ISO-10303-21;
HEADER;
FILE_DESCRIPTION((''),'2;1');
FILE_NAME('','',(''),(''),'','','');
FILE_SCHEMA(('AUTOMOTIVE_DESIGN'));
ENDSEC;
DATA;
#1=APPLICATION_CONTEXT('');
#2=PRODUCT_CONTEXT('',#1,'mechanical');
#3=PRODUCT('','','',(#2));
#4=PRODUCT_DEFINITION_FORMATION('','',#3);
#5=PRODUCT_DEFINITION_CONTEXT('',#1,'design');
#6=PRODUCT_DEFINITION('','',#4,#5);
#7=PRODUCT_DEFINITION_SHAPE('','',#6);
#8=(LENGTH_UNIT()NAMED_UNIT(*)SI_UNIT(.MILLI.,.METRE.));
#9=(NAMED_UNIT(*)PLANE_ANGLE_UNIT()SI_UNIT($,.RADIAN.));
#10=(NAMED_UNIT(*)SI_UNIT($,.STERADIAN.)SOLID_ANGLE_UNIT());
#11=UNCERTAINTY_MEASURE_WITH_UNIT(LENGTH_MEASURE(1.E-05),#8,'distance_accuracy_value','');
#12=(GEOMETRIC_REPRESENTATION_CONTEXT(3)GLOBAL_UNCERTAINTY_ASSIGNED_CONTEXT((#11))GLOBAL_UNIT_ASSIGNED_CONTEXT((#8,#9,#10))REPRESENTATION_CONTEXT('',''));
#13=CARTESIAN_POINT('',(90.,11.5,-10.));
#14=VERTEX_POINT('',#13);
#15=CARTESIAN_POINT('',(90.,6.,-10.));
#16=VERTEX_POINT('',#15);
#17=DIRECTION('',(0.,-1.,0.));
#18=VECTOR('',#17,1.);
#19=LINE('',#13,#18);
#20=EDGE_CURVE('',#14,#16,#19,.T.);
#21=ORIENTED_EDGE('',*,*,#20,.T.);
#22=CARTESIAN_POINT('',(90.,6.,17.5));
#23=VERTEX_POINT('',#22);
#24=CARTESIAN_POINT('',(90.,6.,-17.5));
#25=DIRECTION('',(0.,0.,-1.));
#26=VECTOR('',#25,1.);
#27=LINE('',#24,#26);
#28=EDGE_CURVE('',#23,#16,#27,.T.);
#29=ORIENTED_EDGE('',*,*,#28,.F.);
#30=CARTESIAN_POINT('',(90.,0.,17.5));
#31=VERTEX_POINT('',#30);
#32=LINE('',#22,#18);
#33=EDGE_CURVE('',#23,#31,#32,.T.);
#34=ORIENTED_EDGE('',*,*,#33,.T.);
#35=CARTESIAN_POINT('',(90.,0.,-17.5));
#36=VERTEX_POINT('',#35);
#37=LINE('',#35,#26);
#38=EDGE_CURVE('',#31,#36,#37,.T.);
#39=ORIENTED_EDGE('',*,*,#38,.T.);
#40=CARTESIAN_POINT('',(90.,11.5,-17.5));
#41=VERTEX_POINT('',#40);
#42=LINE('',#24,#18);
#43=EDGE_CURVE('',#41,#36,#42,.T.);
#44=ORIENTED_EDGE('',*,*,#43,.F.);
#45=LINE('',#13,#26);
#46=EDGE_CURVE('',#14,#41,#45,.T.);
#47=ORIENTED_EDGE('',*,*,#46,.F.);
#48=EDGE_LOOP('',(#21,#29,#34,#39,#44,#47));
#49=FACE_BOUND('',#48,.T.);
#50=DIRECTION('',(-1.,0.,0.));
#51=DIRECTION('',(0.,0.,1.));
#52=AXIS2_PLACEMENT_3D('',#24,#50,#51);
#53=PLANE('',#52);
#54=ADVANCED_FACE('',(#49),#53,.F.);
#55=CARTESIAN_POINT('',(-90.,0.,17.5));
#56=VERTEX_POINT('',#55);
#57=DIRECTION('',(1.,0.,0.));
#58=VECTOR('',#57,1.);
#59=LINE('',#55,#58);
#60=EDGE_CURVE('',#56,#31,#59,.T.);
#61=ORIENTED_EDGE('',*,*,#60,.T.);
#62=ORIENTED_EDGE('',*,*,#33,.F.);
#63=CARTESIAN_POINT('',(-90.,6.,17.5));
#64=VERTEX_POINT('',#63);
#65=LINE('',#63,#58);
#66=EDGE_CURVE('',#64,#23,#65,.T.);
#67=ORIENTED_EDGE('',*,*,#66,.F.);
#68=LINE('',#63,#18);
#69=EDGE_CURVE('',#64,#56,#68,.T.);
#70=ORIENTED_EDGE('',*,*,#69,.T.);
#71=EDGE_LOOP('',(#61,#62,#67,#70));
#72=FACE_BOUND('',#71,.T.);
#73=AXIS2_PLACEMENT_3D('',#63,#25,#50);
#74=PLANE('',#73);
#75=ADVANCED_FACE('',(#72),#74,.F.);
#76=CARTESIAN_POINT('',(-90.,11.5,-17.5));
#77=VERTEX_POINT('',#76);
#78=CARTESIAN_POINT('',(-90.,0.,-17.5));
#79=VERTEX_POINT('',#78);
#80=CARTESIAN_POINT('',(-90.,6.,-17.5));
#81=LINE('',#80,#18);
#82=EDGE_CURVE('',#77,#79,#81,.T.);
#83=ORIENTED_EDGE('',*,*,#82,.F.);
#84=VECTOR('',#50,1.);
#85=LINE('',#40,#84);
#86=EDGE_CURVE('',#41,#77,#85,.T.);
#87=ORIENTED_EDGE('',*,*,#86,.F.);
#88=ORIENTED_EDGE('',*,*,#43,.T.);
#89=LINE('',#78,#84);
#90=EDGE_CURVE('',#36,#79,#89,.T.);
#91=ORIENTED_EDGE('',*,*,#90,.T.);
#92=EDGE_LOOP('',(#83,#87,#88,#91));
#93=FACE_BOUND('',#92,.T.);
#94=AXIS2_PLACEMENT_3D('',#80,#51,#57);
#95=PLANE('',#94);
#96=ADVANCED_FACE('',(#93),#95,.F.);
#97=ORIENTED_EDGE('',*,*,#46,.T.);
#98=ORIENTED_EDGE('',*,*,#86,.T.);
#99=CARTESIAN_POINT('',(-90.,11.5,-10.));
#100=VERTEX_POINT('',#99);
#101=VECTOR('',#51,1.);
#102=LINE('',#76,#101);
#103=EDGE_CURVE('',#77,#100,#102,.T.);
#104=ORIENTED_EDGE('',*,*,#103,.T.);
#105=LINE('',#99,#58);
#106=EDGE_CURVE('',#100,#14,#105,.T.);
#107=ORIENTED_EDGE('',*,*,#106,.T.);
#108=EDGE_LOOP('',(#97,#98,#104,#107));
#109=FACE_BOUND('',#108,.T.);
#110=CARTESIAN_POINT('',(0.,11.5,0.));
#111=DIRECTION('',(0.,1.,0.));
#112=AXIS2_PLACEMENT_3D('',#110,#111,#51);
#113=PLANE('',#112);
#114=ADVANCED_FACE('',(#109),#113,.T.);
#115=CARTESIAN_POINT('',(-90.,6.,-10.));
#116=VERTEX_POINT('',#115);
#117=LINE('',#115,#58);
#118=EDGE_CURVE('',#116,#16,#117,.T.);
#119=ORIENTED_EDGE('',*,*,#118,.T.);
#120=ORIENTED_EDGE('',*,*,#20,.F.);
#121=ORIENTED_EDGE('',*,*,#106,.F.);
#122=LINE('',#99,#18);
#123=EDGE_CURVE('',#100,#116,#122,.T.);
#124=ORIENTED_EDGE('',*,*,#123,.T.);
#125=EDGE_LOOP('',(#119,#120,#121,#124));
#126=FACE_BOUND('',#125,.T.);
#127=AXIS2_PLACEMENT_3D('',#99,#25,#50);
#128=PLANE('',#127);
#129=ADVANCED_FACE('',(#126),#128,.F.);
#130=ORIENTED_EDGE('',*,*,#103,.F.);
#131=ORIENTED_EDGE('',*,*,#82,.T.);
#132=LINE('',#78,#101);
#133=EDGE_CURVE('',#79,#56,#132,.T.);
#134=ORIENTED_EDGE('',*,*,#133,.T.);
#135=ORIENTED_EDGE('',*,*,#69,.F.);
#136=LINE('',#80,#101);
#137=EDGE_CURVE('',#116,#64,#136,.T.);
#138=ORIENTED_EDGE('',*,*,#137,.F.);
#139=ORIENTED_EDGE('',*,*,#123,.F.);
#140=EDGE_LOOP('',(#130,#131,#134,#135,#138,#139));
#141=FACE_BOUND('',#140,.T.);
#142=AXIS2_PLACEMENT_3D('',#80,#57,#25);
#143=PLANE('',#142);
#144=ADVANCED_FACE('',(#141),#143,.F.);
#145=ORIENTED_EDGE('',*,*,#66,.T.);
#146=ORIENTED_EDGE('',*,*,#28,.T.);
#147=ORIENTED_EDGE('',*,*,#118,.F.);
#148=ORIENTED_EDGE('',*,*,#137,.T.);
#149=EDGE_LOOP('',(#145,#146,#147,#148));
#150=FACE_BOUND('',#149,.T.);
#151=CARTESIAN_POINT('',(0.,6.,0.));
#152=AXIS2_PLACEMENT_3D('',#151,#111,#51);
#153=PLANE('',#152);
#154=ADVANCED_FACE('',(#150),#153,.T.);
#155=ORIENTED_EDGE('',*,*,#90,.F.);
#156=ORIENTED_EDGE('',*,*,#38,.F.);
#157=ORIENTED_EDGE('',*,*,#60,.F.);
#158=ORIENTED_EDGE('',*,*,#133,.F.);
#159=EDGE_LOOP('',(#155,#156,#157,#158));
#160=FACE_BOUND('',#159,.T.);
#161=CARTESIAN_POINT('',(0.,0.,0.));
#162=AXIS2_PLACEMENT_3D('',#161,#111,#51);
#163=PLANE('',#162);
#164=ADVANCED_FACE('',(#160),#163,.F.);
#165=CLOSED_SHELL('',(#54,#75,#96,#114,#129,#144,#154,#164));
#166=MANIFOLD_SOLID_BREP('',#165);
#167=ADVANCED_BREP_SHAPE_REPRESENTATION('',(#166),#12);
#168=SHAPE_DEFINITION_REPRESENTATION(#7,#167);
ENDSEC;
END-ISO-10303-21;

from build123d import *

# Parameters (mm, degrees)
SKETCH_1_W      = 180
SKETCH_1_H      = 35
EXTRUDE_1_DEPTH = 6
SKETCH_2_W      = 180
SKETCH_2_H      = 7.5
EXTRUDE_2_DEPTH = 5.5


with BuildPart() as part:
    # Эскиз1 → Бобышка-Вытянуть1 (new body)
    with BuildSketch(Plane(origin=(0, 0, 0), x_dir=(1, 0, 0), z_dir=(0, 1, 0))):
        Rectangle(SKETCH_1_W, SKETCH_1_H)
    extrude(amount=EXTRUDE_1_DEPTH)

    # Эскиз2 → Бобышка-Вытянуть2 (add)
    with BuildSketch(Plane(origin=(0, 6, 0), x_dir=(1, 0, 0), z_dir=(0, 1, 0))):
        with Locations((0, 13.75)):
            Rectangle(SKETCH_2_W, SKETCH_2_H)
    extrude(amount=EXTRUDE_2_DEPTH)


solid = part.part
